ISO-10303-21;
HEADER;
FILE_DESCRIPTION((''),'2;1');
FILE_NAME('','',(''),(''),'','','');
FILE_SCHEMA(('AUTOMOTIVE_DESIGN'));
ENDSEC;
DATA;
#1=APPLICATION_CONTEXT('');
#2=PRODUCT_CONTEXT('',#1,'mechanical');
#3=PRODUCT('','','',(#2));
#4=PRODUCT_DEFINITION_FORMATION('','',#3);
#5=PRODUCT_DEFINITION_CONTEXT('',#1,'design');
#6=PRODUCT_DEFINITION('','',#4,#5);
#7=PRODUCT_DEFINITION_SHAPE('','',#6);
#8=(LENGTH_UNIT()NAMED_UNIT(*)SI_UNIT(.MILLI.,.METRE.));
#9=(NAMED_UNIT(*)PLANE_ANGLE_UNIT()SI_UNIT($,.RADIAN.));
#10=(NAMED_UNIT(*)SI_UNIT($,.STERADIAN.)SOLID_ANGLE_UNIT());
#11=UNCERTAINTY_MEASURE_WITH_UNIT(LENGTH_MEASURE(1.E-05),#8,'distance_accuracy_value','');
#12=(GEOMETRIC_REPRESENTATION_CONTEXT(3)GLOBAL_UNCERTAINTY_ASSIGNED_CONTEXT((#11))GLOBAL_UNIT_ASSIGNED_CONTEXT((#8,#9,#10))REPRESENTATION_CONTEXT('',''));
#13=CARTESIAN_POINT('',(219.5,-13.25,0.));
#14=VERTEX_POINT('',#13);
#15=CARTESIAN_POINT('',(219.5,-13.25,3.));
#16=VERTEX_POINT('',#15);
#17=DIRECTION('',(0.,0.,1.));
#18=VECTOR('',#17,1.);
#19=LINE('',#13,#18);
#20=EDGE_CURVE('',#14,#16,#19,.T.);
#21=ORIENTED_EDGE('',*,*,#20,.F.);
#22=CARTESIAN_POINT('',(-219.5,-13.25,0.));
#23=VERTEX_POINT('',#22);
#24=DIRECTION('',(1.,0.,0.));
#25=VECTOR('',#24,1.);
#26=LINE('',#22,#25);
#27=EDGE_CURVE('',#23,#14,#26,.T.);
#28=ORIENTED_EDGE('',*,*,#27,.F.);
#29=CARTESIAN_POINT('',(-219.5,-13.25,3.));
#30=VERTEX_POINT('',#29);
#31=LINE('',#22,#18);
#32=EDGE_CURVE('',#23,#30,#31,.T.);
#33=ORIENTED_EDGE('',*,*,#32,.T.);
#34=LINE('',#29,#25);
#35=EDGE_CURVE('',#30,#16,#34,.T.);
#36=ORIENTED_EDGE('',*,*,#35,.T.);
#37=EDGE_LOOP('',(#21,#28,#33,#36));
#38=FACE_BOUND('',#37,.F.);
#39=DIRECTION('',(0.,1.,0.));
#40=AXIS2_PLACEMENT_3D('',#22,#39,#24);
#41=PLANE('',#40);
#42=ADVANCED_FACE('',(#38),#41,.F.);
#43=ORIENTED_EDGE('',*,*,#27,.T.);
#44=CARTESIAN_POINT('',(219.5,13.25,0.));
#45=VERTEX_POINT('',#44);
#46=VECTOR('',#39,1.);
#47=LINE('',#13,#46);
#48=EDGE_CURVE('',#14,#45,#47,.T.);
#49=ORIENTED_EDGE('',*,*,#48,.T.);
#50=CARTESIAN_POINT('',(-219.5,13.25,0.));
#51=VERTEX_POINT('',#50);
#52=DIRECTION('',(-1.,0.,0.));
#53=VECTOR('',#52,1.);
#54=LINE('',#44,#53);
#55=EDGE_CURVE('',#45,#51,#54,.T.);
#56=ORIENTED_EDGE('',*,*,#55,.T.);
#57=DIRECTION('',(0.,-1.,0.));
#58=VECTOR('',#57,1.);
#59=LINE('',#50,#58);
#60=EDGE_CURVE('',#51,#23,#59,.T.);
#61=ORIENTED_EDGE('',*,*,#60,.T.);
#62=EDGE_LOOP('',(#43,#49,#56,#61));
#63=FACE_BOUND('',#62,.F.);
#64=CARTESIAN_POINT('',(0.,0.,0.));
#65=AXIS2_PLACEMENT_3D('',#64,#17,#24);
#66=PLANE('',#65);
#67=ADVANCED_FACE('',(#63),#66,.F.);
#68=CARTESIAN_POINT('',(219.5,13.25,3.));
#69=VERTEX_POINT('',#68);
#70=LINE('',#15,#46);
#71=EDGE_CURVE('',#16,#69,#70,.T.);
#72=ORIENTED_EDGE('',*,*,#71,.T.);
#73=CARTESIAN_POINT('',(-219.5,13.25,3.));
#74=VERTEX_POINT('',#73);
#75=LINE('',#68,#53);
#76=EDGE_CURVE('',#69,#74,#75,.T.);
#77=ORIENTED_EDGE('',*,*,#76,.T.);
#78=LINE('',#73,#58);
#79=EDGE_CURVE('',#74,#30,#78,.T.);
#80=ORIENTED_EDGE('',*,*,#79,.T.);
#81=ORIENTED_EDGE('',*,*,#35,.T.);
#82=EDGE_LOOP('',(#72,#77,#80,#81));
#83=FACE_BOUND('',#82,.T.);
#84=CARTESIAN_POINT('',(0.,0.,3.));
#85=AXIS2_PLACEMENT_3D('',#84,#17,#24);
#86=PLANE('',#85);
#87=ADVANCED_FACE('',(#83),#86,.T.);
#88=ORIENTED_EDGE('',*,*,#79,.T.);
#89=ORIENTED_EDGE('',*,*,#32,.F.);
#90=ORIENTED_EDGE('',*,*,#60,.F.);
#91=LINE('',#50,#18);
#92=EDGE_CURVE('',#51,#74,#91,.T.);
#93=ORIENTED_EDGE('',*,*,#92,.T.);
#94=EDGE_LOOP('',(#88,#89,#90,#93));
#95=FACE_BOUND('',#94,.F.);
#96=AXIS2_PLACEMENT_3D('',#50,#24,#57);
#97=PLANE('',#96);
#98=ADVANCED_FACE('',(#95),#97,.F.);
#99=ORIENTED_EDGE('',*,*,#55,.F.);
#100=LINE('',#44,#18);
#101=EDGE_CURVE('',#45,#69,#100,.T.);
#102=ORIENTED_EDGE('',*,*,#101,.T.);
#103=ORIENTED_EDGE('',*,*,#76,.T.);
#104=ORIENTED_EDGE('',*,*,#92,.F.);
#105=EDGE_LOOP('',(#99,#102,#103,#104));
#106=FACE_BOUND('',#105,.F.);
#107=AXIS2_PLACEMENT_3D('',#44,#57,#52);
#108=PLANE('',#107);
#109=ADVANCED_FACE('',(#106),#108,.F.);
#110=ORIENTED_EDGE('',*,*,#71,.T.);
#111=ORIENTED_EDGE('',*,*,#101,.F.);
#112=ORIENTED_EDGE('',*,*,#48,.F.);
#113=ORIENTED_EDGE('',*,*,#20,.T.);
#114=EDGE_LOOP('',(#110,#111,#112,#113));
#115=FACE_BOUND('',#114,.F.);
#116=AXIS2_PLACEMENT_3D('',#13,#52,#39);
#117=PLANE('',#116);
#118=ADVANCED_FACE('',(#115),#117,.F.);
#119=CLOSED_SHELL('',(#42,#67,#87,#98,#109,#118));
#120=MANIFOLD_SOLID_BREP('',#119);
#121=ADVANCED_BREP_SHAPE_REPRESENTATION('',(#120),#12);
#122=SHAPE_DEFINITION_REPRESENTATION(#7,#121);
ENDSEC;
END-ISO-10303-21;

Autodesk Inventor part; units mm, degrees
ref_plane "YZ Plane" through (0, 0, 0) normal (1, 0, 0) x (0, 1, 0)
ref_plane "XZ Plane" through (0, 0, 0) normal (0, 1, 0) x (-1, 0, 0)
ref_plane "XY Plane" through (0, 0, 0) normal (0, 0, 1) x (1, 0, 0)
sketch "Sketch1" plane through (0, 0, 0) normal (0, 0, 1) x (1, 0, 0)
  line L0 (-219.5, -13.25) -> (219.5, -13.25)
  line L1 (219.5, -13.25) -> (219.5, 13.25)
  line L2 (219.5, 13.25) -> (-219.5, 13.25)
  line L3 (-219.5, 13.25) -> (-219.5, -13.25)
  line L4 (-219.5, -13.25) -> (219.5, 13.25) construction
  line L5 (219.5, -13.25) -> (-219.5, 13.25) construction
  point P0 (0, 0)
  dimension "d0" = 26.5
  dimension "d1" = 439
extrude "Extrusion1" add sketch "Sketch1" along normal blind 3
properties part number "back support"
